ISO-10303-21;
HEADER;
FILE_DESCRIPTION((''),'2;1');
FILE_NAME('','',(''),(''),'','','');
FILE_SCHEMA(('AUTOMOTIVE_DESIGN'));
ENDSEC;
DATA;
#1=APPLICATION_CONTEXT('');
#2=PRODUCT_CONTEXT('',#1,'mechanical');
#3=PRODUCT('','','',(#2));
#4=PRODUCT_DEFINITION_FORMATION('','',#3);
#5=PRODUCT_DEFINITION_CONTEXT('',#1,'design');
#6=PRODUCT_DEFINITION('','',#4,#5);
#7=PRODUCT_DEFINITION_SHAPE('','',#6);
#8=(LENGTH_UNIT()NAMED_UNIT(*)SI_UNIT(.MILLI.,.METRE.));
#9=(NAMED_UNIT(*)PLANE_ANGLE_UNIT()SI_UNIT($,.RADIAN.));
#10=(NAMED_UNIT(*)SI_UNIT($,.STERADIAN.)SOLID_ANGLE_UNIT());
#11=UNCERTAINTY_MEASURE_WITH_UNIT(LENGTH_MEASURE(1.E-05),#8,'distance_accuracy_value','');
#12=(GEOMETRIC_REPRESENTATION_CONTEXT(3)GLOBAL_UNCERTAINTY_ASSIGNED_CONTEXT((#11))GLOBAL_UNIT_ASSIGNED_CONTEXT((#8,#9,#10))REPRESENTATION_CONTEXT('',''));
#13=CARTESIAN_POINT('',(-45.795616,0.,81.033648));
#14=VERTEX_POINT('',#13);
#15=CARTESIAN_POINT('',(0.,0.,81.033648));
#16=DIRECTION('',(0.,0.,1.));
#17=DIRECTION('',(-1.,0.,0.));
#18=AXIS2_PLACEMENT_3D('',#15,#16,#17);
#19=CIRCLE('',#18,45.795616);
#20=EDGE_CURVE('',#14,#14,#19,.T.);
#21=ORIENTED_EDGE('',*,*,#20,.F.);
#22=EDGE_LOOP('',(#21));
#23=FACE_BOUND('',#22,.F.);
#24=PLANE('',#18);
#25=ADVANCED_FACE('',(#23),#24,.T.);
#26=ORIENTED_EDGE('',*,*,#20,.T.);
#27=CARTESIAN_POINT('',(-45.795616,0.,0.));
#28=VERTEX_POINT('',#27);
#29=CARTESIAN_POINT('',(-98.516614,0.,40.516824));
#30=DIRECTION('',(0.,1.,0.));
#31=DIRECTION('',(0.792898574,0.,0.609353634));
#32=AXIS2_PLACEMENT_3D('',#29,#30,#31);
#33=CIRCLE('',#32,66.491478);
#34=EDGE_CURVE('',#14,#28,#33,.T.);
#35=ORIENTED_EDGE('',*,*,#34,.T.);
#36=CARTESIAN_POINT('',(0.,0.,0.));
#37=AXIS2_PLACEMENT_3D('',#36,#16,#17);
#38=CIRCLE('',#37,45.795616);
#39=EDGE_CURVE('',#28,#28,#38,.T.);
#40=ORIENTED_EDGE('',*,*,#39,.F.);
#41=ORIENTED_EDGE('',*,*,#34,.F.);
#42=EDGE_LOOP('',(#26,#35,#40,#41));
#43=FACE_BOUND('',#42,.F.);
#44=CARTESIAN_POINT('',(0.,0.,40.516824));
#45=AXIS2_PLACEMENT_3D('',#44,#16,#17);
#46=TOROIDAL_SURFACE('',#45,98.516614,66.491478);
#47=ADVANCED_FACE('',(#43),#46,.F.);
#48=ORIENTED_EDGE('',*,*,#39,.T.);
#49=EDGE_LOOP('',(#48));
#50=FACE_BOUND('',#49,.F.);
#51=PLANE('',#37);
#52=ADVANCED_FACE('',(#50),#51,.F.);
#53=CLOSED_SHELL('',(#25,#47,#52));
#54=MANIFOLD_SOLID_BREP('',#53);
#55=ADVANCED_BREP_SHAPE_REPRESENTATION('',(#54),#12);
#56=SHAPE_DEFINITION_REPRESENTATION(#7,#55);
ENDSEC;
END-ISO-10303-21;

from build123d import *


with BuildPart() as f3:
    # F2 (on Front) → F3 (revolve)
    with BuildSketch(Plane.XZ):
        with BuildLine():
            ThreePointArc((-45.795616, 81.033648), (-32.025136, 40.516824), (-45.795616, 0))
            Line((-45.795616, 0), (0, 0))
            Line((0, 0), (0, 81.033648))
            Line((0, 81.033648), (-45.795616, 81.033648))
        make_face()
    revolve(axis=Axis((0, 0, 40.516824), (0, 0, 1)))


solid = f3.part
